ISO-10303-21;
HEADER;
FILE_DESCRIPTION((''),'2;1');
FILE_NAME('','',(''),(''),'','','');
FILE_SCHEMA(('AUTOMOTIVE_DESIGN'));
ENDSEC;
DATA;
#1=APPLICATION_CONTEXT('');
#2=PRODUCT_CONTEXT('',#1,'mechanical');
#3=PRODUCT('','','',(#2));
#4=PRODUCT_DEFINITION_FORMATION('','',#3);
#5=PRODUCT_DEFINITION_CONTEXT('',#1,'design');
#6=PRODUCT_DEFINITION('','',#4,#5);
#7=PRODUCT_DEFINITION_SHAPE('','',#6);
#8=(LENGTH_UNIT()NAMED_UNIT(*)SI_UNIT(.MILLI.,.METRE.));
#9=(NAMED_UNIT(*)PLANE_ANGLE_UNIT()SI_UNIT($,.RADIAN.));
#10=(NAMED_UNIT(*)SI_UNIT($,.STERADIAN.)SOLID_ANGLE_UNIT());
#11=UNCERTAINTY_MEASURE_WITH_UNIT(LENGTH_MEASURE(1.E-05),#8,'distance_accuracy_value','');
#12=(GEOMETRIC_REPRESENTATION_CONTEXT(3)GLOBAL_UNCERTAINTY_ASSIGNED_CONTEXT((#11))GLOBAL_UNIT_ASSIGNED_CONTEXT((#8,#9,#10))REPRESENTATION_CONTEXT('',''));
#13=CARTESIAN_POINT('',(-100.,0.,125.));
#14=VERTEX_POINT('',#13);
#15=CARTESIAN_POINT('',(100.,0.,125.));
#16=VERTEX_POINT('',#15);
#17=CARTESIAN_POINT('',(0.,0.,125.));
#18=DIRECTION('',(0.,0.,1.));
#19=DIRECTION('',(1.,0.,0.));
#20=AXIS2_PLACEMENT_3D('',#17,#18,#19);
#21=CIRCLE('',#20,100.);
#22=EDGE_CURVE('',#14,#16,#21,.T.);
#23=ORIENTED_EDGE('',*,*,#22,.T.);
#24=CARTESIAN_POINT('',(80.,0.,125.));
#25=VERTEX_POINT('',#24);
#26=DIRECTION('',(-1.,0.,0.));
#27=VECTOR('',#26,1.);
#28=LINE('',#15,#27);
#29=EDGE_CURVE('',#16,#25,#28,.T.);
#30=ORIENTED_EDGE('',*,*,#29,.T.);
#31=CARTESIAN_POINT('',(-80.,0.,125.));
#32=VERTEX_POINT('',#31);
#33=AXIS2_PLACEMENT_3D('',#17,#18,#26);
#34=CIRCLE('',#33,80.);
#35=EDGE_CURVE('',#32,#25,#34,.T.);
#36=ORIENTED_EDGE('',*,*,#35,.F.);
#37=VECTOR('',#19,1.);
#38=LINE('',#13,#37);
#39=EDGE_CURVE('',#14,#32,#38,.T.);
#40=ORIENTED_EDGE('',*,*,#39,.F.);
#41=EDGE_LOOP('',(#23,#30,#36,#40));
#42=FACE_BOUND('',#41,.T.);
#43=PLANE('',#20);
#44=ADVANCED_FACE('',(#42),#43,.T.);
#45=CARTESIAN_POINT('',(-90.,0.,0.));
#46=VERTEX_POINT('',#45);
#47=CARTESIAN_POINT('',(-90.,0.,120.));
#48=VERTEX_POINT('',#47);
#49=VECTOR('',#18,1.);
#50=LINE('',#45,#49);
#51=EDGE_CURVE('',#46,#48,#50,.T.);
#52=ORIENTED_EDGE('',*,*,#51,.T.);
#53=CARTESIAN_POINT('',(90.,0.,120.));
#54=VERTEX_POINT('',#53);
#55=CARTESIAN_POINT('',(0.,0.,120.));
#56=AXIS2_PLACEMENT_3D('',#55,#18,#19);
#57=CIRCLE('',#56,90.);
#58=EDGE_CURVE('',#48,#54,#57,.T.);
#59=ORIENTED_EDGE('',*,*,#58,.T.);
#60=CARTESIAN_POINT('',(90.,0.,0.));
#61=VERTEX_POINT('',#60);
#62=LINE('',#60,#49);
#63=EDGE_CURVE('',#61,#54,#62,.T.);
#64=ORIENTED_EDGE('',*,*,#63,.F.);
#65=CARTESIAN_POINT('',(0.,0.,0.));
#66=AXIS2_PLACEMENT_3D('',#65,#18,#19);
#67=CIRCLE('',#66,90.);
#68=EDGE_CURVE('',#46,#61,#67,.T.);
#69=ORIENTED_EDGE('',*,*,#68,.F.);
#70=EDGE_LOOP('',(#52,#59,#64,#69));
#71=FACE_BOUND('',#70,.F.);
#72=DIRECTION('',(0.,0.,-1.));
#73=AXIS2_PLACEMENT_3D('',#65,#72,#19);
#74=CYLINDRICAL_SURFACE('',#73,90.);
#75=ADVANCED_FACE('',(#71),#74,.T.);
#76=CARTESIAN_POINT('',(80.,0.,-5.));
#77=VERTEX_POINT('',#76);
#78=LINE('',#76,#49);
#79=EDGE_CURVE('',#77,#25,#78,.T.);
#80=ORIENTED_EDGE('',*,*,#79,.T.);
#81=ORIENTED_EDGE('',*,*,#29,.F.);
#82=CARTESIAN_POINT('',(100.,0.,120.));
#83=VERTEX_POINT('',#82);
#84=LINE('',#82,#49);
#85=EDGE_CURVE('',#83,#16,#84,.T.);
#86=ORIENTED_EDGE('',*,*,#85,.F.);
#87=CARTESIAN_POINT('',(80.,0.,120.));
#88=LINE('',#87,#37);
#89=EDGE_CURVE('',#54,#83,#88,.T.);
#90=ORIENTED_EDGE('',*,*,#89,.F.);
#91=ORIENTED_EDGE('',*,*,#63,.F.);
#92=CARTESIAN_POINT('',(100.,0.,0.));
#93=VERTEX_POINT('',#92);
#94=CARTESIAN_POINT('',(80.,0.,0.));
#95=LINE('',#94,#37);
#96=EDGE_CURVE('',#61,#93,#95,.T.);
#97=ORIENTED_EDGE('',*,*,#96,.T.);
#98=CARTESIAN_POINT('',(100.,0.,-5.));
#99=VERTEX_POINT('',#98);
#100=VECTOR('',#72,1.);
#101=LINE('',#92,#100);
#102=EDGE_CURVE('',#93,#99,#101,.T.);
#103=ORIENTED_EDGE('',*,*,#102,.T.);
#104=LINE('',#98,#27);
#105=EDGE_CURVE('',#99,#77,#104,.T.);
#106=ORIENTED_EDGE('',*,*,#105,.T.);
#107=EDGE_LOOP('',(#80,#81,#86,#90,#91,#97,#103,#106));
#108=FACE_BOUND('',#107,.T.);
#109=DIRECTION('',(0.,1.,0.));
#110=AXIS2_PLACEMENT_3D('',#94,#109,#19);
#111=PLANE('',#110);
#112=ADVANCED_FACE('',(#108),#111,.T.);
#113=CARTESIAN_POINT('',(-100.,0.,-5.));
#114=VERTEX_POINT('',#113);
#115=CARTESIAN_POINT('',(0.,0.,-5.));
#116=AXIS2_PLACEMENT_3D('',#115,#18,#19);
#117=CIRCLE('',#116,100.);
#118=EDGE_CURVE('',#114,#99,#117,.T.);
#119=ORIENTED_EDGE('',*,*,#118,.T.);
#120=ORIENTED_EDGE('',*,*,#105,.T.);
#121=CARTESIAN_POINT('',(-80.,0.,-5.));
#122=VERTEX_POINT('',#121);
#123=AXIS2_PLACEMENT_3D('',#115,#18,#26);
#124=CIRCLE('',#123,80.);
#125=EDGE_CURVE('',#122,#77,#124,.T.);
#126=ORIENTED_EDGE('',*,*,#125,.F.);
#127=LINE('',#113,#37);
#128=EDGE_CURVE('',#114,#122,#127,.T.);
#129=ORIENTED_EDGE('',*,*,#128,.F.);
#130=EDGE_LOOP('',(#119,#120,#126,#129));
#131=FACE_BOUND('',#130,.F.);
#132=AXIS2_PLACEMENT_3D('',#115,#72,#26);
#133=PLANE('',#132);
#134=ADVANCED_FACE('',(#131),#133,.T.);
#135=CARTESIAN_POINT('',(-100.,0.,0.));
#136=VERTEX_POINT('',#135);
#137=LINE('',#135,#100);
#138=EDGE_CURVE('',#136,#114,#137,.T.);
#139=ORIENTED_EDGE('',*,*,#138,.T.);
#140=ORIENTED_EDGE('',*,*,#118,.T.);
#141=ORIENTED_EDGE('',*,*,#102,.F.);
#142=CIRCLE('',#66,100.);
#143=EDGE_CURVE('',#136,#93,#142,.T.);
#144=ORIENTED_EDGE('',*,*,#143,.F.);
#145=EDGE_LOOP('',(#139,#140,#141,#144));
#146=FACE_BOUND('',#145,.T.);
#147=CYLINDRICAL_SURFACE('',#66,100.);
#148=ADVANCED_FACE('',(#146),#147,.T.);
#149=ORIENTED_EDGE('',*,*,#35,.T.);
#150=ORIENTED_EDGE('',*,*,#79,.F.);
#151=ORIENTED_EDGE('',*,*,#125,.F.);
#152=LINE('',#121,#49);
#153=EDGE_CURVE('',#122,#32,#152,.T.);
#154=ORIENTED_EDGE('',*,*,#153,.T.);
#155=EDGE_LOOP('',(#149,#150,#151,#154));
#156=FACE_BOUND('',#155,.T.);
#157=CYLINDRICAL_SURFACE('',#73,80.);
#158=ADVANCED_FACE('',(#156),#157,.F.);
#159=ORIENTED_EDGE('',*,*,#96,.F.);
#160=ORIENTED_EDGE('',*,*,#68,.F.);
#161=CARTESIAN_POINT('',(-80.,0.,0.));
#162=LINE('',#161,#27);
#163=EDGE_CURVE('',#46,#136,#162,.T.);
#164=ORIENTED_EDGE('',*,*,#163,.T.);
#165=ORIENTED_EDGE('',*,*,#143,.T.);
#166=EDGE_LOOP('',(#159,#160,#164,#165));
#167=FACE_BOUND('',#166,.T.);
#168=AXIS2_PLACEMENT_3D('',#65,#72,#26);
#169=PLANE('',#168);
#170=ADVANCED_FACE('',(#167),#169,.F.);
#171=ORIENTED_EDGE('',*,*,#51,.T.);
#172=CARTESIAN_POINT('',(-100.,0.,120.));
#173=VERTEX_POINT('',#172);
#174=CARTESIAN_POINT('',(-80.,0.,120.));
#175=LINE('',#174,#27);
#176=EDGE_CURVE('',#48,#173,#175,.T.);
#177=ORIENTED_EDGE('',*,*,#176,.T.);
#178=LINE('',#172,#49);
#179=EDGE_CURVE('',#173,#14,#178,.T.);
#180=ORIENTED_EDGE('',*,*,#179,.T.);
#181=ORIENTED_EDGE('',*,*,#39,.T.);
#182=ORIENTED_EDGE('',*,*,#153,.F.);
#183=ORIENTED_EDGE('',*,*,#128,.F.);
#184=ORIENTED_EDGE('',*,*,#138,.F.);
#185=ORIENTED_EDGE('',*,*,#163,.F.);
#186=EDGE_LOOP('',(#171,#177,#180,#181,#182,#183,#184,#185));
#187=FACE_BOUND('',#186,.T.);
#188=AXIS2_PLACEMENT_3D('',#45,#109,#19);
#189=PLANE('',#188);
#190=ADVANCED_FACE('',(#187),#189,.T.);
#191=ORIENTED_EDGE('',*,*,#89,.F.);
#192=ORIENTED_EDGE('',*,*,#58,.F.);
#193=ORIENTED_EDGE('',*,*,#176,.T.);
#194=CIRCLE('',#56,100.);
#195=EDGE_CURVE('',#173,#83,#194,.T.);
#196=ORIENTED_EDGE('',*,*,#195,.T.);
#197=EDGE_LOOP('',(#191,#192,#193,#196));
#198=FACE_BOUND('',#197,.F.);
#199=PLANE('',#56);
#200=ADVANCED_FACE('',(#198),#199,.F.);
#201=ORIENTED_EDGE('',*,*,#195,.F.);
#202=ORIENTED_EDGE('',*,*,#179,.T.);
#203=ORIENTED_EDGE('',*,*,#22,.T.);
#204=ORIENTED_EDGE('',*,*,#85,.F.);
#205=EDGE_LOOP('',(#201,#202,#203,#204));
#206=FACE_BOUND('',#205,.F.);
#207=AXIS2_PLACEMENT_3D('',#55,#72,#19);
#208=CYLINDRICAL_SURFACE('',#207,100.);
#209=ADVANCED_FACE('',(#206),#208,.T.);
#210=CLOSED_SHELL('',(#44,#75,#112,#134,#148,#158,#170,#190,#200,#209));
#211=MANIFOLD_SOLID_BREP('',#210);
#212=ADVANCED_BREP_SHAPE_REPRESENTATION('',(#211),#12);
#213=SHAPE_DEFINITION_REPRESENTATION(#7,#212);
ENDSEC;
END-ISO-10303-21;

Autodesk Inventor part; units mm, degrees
ref_plane "YZ Plane" through (0, 0, 0) normal (1, 0, 0) x (0, 1, 0)
ref_plane "XZ Plane" through (0, 0, 0) normal (0, 1, 0) x (-1, 0, 0)
sketch "Эскиз1" plane through (0, 0, 0) normal (0, 0, 1) x (1, 0, 0)
  circle A0 centre (0, 0) radius 80
  circle A1 centre (0, 0) radius 90
  line L0 (-90, 0) -> (90, 0)
  point P0 (-80, 0)
  point P1 (80, 0)
  dimension "d0" = 160
  dimension "d1" = 180
extrude "Выдавливание1" add sketch "Эскиз1" along normal blind 120 contours L0 A1 A0 picked at (54.1763, -63.1025)
sketch "Эскиз3" plane through (0, 0, 120) normal (0, 0, 1) x (1, 0, 0)
  arc A0 (-90, 0) -> (90, 0) centre (0, 0) ccw projected
  line L0 (90, 0) -> (80, 0) projected
  arc A1 (-80, 0) -> (80, 0) centre (0, 0) ccw projected
  line L1 (-80, 0) -> (-90, 0) projected
  circle A2 centre (0, 0) radius 100
  arc A3 (-90, 0) -> (90, 0) centre (0, 0) ccw projected
  line L2 (-90, 0) -> (-100, 0)
  line L3 (90, 0) -> (100, 0)
  dimension "d7" = 200
extrude "Выдавливание3" add sketch "Эскиз3" along normal blind 5 contours L1 A1 L0 A0 | A0 L3 A2 L2
ref_plane "РабПлоскость2" through (0, 0, 60) normal (0, 0, -1) x (-1, 0, 0)
mirror "Зеркальное отражение1" about plane through (0, 0, 60) normal (0, 0, -1) of "Выдавливание3"
properties part number "Верхняя часть коренного подшипника" material "Бронза, литейная"
